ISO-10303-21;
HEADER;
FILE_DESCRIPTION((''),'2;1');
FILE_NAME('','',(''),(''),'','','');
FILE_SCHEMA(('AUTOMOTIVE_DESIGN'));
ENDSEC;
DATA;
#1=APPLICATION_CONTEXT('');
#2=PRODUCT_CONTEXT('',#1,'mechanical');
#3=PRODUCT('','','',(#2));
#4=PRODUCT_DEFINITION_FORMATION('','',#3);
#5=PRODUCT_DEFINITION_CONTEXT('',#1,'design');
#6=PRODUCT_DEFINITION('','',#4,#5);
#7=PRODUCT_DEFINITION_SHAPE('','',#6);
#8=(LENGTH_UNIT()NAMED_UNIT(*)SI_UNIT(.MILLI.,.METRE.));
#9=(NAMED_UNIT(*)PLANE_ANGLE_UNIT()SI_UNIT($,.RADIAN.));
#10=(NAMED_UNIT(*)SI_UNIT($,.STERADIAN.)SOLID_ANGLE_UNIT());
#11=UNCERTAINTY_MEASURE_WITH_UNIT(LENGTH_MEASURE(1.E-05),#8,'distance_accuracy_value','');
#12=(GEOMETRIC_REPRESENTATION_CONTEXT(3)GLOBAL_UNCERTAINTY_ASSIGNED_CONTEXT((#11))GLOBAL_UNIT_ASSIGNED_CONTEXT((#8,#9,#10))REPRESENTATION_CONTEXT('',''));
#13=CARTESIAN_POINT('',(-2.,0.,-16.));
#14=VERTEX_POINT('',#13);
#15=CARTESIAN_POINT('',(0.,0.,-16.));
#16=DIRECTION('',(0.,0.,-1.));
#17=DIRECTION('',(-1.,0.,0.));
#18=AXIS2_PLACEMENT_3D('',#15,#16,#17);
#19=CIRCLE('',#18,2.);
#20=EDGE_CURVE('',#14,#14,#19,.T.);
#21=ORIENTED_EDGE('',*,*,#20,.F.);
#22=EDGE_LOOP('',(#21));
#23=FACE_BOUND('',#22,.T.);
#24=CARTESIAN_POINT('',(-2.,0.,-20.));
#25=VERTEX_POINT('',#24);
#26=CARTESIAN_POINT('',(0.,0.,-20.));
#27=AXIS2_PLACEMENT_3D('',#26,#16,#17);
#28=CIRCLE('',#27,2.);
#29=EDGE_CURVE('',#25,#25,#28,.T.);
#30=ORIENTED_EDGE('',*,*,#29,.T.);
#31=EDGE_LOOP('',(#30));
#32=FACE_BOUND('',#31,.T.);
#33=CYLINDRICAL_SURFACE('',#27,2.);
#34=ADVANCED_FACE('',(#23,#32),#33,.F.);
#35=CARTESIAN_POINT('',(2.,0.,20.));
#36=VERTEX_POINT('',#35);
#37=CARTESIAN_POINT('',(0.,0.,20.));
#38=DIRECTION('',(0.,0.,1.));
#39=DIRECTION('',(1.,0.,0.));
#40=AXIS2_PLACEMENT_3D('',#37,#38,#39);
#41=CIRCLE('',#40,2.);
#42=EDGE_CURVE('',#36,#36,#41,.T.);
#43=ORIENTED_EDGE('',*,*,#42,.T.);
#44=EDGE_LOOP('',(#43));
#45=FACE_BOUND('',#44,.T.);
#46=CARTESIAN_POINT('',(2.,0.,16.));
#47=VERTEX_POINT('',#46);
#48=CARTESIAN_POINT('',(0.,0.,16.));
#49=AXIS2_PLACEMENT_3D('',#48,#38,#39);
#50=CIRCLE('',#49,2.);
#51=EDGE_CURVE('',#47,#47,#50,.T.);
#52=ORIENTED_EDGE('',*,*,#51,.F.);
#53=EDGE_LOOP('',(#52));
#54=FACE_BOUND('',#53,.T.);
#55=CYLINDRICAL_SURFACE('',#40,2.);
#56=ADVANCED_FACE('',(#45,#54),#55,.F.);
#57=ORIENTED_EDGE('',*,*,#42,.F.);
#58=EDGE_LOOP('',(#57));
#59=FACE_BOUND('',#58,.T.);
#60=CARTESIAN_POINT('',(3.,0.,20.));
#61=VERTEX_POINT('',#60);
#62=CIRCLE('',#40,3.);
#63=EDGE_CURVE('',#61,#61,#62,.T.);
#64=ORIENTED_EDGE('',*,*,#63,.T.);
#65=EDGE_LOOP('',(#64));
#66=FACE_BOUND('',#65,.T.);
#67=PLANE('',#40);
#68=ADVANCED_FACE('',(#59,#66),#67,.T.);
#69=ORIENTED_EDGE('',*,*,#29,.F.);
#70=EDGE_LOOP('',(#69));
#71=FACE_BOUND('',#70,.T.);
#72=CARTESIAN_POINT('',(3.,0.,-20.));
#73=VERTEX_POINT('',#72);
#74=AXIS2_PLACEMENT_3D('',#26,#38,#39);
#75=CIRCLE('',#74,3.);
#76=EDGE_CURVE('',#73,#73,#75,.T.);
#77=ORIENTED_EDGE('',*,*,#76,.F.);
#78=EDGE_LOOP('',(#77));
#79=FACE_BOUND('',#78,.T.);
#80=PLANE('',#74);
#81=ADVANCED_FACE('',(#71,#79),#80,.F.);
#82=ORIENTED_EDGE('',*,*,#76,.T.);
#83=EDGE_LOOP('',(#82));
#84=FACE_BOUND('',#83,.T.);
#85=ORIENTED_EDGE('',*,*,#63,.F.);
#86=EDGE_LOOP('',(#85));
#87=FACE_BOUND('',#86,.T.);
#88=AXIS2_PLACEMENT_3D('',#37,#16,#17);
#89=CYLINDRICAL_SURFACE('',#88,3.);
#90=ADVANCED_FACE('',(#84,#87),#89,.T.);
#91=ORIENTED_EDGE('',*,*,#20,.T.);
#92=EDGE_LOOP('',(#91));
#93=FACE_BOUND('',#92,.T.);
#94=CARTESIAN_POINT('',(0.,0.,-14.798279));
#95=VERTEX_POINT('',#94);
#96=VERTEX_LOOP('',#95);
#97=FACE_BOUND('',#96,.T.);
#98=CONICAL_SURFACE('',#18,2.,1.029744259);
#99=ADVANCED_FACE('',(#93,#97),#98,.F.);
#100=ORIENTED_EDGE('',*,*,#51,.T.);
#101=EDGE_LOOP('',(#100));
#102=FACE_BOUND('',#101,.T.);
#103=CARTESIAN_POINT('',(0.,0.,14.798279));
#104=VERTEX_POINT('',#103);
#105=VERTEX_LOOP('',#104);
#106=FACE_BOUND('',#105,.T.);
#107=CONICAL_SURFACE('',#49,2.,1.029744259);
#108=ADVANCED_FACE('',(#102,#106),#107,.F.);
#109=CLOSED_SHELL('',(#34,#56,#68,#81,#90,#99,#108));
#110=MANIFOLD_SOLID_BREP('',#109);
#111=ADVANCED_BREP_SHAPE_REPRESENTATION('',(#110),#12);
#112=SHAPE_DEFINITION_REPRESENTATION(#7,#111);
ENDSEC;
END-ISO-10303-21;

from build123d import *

# Parameters (mm, degrees)
SKICA1_R        = 3
VYSUNOUT1_DEPTH = 20


with BuildPart() as part:
    # Skica1 → Vysunout1 (new, symmetric)
    with BuildSketch(Plane.XY):
        Circle(SKICA1_R)
    extrude(amount=VYSUNOUT1_DEPTH, both=True)

    # Skica2 → Díra1 (revolve, cut)
    with BuildSketch(Plane(origin=(0, 0, 20), x_dir=(0, -1, 0), z_dir=(1, 0, 0))):
        Polygon((0, 0), (0, 5.201721238), (2, 4), (2, 0), align=None)
    d_ra1 = revolve(axis=Axis((0, 0, 24.244199587), (0, 0, -1)), mode=Mode.SUBTRACT)

    # Zrcadlit1: Díra1 across plane
    add(d_ra1.mirror(Plane.XY), mode=Mode.SUBTRACT)


solid = part.part
